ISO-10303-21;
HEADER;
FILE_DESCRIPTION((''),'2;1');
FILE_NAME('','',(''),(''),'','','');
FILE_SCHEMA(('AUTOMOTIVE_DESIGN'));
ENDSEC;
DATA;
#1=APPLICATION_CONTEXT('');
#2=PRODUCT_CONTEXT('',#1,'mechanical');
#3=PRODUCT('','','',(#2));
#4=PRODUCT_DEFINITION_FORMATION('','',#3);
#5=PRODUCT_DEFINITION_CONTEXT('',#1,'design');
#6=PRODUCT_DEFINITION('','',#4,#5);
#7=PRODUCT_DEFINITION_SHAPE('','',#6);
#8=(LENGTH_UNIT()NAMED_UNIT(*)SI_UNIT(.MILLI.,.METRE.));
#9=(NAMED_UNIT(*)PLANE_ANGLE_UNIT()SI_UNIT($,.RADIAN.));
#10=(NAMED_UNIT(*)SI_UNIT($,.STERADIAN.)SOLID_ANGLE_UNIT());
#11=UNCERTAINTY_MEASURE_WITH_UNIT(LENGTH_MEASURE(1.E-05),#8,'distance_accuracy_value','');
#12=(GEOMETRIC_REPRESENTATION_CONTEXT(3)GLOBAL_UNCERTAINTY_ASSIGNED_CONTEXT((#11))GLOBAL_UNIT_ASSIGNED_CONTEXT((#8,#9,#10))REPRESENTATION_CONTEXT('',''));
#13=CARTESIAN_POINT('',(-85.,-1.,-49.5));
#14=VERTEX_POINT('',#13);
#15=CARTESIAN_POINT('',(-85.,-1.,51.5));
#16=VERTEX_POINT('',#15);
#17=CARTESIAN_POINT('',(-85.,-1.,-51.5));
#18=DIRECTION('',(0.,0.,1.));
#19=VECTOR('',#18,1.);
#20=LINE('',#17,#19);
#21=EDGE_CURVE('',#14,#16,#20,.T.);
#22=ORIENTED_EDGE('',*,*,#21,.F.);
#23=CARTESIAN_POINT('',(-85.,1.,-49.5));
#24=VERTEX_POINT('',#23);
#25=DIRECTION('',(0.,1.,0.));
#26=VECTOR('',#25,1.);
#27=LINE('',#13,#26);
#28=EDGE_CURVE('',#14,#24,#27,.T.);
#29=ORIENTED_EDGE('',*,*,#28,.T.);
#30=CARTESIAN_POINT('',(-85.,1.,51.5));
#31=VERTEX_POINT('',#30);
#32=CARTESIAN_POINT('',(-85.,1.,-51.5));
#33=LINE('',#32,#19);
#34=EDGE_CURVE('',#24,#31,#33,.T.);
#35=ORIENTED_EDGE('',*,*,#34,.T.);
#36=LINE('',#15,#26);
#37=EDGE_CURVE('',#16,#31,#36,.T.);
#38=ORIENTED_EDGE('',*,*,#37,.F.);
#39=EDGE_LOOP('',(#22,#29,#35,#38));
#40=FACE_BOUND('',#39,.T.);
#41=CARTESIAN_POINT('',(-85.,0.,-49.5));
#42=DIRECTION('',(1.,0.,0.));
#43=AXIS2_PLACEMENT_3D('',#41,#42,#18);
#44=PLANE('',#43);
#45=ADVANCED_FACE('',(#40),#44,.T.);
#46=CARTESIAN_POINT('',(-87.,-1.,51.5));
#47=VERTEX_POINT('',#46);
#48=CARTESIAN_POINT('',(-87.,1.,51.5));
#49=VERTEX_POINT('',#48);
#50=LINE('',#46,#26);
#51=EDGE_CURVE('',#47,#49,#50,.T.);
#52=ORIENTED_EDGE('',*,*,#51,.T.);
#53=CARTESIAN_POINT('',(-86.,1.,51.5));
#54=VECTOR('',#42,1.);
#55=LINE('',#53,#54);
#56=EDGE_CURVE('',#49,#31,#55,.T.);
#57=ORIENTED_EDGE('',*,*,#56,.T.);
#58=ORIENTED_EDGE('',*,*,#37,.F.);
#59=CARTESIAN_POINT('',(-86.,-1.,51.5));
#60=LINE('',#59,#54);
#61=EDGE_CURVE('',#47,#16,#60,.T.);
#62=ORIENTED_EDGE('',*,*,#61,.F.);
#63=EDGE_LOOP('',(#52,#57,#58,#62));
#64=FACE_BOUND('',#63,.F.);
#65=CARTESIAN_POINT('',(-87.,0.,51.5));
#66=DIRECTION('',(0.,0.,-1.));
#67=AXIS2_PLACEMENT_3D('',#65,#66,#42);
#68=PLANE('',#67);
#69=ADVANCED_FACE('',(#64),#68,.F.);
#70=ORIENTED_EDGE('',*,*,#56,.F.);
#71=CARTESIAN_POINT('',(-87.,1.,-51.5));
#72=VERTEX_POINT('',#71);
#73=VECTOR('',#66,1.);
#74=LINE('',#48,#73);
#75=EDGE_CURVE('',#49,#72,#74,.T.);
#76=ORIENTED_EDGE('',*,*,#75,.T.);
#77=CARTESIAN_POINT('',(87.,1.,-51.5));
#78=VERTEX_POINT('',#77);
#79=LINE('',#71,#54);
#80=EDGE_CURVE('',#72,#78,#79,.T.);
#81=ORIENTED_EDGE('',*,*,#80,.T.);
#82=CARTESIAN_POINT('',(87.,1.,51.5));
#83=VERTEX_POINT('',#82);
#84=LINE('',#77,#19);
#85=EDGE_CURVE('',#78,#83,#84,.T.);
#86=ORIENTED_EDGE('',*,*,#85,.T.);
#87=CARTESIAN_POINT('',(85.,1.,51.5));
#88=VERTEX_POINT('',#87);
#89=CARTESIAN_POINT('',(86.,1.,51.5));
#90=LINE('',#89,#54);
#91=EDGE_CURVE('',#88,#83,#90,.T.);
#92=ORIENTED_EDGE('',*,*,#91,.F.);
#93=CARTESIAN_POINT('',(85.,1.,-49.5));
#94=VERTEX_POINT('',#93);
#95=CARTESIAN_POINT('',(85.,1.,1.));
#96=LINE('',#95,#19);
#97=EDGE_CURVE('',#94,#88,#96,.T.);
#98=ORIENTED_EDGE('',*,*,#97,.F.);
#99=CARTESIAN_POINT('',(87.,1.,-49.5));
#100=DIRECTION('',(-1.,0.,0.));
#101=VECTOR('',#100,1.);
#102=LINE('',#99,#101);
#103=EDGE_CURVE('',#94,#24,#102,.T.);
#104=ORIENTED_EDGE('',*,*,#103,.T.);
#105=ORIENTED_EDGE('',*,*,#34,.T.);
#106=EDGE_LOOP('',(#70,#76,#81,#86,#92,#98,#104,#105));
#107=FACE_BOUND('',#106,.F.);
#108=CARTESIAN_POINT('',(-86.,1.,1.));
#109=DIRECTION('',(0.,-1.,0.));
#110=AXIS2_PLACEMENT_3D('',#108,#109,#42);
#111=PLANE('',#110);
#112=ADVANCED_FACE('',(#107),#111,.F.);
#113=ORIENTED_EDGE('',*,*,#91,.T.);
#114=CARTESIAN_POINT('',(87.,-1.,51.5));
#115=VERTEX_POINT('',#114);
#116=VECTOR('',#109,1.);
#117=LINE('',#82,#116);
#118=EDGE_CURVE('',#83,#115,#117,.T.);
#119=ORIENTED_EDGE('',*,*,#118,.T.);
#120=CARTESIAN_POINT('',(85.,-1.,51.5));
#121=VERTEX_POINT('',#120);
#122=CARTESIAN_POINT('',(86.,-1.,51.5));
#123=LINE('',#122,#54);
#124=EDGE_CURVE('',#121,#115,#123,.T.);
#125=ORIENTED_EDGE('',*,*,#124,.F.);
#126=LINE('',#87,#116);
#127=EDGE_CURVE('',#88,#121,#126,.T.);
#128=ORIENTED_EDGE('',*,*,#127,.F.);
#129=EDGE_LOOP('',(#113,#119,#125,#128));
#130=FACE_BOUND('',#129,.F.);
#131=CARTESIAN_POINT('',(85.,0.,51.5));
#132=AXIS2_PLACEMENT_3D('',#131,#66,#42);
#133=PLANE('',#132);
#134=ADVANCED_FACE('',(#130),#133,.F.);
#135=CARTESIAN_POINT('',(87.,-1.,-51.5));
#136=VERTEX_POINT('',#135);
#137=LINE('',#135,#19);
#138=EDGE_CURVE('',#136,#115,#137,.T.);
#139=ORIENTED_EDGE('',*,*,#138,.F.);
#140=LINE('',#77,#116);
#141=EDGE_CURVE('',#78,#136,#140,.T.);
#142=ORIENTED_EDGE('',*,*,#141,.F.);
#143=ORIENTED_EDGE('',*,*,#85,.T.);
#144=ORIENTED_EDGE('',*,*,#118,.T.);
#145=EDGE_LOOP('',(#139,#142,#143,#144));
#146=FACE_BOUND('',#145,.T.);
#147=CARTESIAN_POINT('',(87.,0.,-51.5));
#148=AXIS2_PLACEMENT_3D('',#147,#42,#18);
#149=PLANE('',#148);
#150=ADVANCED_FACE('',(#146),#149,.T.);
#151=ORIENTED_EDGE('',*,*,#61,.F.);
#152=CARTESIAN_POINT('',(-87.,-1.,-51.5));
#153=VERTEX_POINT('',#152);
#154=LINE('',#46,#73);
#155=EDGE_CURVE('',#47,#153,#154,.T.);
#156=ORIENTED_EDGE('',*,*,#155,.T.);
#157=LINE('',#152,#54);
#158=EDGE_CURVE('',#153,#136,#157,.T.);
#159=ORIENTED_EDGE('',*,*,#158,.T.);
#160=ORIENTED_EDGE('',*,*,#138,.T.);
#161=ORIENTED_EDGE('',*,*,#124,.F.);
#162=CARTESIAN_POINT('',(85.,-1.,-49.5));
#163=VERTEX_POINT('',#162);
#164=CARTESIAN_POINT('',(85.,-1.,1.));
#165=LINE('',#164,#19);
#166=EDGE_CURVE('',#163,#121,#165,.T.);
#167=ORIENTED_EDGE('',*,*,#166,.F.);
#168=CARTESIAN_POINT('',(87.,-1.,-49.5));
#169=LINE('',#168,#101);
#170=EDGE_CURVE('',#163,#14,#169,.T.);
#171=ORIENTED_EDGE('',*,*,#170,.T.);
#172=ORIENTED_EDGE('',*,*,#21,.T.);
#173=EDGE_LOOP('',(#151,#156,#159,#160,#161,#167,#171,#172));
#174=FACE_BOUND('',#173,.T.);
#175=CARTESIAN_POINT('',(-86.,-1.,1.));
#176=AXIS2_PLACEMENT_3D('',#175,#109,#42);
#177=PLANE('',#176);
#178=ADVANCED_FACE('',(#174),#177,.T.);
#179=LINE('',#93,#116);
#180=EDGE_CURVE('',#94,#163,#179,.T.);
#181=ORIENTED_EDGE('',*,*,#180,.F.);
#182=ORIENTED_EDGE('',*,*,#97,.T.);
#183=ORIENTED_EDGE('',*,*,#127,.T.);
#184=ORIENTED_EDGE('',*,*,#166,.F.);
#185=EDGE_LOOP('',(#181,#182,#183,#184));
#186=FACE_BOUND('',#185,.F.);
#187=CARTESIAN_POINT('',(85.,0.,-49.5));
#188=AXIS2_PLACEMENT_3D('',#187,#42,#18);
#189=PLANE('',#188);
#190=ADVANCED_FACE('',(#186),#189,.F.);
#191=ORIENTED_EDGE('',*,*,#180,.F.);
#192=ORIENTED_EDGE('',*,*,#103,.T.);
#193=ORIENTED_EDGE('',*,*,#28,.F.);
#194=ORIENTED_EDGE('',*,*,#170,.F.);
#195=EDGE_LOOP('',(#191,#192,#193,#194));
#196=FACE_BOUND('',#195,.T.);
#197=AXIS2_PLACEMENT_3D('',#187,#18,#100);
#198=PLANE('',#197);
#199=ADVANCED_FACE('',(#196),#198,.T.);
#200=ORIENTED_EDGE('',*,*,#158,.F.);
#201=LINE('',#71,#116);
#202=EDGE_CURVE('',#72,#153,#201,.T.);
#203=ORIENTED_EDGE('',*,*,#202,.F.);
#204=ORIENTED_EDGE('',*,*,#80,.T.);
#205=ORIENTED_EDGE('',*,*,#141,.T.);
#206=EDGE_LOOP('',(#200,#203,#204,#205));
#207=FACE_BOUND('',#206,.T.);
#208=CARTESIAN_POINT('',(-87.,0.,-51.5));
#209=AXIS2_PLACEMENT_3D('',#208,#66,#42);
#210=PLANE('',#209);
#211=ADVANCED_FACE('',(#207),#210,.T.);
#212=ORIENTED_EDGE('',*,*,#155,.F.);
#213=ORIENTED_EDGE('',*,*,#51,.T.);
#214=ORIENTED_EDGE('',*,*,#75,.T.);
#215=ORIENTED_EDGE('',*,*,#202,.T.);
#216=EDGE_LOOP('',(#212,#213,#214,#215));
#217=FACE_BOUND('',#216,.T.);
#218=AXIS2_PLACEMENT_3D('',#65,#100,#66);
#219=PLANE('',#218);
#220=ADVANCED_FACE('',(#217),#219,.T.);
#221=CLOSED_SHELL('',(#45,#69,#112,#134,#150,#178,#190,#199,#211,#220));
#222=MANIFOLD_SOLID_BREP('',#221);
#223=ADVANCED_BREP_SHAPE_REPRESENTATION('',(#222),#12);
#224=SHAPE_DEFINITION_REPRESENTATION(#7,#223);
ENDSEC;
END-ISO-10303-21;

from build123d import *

# Parameters (mm, degrees)
F0_W     = 2
F0_H     = 101
F0_H_2   = 2
F0_W_2   = 170
F1_DEPTH = 1


with BuildPart() as f1:
    # F0 (on Front) → F1 (new body, symmetric)
    with BuildSketch(Plane.XZ):
        with Locations((-86, 1)):
            Rectangle(F0_W, F0_H)
        with Locations((-86, -50.5)):
            Rectangle(F0_W, F0_H_2)
        with Locations((0, -50.5)):
            Rectangle(F0_W_2, F0_H_2)
        with Locations((86, -50.5)):
            Rectangle(F0_W, F0_H_2)
        with Locations((86, 1)):
            Rectangle(F0_W, F0_H)
    extrude(amount=F1_DEPTH, both=True)


solid = f1.part
